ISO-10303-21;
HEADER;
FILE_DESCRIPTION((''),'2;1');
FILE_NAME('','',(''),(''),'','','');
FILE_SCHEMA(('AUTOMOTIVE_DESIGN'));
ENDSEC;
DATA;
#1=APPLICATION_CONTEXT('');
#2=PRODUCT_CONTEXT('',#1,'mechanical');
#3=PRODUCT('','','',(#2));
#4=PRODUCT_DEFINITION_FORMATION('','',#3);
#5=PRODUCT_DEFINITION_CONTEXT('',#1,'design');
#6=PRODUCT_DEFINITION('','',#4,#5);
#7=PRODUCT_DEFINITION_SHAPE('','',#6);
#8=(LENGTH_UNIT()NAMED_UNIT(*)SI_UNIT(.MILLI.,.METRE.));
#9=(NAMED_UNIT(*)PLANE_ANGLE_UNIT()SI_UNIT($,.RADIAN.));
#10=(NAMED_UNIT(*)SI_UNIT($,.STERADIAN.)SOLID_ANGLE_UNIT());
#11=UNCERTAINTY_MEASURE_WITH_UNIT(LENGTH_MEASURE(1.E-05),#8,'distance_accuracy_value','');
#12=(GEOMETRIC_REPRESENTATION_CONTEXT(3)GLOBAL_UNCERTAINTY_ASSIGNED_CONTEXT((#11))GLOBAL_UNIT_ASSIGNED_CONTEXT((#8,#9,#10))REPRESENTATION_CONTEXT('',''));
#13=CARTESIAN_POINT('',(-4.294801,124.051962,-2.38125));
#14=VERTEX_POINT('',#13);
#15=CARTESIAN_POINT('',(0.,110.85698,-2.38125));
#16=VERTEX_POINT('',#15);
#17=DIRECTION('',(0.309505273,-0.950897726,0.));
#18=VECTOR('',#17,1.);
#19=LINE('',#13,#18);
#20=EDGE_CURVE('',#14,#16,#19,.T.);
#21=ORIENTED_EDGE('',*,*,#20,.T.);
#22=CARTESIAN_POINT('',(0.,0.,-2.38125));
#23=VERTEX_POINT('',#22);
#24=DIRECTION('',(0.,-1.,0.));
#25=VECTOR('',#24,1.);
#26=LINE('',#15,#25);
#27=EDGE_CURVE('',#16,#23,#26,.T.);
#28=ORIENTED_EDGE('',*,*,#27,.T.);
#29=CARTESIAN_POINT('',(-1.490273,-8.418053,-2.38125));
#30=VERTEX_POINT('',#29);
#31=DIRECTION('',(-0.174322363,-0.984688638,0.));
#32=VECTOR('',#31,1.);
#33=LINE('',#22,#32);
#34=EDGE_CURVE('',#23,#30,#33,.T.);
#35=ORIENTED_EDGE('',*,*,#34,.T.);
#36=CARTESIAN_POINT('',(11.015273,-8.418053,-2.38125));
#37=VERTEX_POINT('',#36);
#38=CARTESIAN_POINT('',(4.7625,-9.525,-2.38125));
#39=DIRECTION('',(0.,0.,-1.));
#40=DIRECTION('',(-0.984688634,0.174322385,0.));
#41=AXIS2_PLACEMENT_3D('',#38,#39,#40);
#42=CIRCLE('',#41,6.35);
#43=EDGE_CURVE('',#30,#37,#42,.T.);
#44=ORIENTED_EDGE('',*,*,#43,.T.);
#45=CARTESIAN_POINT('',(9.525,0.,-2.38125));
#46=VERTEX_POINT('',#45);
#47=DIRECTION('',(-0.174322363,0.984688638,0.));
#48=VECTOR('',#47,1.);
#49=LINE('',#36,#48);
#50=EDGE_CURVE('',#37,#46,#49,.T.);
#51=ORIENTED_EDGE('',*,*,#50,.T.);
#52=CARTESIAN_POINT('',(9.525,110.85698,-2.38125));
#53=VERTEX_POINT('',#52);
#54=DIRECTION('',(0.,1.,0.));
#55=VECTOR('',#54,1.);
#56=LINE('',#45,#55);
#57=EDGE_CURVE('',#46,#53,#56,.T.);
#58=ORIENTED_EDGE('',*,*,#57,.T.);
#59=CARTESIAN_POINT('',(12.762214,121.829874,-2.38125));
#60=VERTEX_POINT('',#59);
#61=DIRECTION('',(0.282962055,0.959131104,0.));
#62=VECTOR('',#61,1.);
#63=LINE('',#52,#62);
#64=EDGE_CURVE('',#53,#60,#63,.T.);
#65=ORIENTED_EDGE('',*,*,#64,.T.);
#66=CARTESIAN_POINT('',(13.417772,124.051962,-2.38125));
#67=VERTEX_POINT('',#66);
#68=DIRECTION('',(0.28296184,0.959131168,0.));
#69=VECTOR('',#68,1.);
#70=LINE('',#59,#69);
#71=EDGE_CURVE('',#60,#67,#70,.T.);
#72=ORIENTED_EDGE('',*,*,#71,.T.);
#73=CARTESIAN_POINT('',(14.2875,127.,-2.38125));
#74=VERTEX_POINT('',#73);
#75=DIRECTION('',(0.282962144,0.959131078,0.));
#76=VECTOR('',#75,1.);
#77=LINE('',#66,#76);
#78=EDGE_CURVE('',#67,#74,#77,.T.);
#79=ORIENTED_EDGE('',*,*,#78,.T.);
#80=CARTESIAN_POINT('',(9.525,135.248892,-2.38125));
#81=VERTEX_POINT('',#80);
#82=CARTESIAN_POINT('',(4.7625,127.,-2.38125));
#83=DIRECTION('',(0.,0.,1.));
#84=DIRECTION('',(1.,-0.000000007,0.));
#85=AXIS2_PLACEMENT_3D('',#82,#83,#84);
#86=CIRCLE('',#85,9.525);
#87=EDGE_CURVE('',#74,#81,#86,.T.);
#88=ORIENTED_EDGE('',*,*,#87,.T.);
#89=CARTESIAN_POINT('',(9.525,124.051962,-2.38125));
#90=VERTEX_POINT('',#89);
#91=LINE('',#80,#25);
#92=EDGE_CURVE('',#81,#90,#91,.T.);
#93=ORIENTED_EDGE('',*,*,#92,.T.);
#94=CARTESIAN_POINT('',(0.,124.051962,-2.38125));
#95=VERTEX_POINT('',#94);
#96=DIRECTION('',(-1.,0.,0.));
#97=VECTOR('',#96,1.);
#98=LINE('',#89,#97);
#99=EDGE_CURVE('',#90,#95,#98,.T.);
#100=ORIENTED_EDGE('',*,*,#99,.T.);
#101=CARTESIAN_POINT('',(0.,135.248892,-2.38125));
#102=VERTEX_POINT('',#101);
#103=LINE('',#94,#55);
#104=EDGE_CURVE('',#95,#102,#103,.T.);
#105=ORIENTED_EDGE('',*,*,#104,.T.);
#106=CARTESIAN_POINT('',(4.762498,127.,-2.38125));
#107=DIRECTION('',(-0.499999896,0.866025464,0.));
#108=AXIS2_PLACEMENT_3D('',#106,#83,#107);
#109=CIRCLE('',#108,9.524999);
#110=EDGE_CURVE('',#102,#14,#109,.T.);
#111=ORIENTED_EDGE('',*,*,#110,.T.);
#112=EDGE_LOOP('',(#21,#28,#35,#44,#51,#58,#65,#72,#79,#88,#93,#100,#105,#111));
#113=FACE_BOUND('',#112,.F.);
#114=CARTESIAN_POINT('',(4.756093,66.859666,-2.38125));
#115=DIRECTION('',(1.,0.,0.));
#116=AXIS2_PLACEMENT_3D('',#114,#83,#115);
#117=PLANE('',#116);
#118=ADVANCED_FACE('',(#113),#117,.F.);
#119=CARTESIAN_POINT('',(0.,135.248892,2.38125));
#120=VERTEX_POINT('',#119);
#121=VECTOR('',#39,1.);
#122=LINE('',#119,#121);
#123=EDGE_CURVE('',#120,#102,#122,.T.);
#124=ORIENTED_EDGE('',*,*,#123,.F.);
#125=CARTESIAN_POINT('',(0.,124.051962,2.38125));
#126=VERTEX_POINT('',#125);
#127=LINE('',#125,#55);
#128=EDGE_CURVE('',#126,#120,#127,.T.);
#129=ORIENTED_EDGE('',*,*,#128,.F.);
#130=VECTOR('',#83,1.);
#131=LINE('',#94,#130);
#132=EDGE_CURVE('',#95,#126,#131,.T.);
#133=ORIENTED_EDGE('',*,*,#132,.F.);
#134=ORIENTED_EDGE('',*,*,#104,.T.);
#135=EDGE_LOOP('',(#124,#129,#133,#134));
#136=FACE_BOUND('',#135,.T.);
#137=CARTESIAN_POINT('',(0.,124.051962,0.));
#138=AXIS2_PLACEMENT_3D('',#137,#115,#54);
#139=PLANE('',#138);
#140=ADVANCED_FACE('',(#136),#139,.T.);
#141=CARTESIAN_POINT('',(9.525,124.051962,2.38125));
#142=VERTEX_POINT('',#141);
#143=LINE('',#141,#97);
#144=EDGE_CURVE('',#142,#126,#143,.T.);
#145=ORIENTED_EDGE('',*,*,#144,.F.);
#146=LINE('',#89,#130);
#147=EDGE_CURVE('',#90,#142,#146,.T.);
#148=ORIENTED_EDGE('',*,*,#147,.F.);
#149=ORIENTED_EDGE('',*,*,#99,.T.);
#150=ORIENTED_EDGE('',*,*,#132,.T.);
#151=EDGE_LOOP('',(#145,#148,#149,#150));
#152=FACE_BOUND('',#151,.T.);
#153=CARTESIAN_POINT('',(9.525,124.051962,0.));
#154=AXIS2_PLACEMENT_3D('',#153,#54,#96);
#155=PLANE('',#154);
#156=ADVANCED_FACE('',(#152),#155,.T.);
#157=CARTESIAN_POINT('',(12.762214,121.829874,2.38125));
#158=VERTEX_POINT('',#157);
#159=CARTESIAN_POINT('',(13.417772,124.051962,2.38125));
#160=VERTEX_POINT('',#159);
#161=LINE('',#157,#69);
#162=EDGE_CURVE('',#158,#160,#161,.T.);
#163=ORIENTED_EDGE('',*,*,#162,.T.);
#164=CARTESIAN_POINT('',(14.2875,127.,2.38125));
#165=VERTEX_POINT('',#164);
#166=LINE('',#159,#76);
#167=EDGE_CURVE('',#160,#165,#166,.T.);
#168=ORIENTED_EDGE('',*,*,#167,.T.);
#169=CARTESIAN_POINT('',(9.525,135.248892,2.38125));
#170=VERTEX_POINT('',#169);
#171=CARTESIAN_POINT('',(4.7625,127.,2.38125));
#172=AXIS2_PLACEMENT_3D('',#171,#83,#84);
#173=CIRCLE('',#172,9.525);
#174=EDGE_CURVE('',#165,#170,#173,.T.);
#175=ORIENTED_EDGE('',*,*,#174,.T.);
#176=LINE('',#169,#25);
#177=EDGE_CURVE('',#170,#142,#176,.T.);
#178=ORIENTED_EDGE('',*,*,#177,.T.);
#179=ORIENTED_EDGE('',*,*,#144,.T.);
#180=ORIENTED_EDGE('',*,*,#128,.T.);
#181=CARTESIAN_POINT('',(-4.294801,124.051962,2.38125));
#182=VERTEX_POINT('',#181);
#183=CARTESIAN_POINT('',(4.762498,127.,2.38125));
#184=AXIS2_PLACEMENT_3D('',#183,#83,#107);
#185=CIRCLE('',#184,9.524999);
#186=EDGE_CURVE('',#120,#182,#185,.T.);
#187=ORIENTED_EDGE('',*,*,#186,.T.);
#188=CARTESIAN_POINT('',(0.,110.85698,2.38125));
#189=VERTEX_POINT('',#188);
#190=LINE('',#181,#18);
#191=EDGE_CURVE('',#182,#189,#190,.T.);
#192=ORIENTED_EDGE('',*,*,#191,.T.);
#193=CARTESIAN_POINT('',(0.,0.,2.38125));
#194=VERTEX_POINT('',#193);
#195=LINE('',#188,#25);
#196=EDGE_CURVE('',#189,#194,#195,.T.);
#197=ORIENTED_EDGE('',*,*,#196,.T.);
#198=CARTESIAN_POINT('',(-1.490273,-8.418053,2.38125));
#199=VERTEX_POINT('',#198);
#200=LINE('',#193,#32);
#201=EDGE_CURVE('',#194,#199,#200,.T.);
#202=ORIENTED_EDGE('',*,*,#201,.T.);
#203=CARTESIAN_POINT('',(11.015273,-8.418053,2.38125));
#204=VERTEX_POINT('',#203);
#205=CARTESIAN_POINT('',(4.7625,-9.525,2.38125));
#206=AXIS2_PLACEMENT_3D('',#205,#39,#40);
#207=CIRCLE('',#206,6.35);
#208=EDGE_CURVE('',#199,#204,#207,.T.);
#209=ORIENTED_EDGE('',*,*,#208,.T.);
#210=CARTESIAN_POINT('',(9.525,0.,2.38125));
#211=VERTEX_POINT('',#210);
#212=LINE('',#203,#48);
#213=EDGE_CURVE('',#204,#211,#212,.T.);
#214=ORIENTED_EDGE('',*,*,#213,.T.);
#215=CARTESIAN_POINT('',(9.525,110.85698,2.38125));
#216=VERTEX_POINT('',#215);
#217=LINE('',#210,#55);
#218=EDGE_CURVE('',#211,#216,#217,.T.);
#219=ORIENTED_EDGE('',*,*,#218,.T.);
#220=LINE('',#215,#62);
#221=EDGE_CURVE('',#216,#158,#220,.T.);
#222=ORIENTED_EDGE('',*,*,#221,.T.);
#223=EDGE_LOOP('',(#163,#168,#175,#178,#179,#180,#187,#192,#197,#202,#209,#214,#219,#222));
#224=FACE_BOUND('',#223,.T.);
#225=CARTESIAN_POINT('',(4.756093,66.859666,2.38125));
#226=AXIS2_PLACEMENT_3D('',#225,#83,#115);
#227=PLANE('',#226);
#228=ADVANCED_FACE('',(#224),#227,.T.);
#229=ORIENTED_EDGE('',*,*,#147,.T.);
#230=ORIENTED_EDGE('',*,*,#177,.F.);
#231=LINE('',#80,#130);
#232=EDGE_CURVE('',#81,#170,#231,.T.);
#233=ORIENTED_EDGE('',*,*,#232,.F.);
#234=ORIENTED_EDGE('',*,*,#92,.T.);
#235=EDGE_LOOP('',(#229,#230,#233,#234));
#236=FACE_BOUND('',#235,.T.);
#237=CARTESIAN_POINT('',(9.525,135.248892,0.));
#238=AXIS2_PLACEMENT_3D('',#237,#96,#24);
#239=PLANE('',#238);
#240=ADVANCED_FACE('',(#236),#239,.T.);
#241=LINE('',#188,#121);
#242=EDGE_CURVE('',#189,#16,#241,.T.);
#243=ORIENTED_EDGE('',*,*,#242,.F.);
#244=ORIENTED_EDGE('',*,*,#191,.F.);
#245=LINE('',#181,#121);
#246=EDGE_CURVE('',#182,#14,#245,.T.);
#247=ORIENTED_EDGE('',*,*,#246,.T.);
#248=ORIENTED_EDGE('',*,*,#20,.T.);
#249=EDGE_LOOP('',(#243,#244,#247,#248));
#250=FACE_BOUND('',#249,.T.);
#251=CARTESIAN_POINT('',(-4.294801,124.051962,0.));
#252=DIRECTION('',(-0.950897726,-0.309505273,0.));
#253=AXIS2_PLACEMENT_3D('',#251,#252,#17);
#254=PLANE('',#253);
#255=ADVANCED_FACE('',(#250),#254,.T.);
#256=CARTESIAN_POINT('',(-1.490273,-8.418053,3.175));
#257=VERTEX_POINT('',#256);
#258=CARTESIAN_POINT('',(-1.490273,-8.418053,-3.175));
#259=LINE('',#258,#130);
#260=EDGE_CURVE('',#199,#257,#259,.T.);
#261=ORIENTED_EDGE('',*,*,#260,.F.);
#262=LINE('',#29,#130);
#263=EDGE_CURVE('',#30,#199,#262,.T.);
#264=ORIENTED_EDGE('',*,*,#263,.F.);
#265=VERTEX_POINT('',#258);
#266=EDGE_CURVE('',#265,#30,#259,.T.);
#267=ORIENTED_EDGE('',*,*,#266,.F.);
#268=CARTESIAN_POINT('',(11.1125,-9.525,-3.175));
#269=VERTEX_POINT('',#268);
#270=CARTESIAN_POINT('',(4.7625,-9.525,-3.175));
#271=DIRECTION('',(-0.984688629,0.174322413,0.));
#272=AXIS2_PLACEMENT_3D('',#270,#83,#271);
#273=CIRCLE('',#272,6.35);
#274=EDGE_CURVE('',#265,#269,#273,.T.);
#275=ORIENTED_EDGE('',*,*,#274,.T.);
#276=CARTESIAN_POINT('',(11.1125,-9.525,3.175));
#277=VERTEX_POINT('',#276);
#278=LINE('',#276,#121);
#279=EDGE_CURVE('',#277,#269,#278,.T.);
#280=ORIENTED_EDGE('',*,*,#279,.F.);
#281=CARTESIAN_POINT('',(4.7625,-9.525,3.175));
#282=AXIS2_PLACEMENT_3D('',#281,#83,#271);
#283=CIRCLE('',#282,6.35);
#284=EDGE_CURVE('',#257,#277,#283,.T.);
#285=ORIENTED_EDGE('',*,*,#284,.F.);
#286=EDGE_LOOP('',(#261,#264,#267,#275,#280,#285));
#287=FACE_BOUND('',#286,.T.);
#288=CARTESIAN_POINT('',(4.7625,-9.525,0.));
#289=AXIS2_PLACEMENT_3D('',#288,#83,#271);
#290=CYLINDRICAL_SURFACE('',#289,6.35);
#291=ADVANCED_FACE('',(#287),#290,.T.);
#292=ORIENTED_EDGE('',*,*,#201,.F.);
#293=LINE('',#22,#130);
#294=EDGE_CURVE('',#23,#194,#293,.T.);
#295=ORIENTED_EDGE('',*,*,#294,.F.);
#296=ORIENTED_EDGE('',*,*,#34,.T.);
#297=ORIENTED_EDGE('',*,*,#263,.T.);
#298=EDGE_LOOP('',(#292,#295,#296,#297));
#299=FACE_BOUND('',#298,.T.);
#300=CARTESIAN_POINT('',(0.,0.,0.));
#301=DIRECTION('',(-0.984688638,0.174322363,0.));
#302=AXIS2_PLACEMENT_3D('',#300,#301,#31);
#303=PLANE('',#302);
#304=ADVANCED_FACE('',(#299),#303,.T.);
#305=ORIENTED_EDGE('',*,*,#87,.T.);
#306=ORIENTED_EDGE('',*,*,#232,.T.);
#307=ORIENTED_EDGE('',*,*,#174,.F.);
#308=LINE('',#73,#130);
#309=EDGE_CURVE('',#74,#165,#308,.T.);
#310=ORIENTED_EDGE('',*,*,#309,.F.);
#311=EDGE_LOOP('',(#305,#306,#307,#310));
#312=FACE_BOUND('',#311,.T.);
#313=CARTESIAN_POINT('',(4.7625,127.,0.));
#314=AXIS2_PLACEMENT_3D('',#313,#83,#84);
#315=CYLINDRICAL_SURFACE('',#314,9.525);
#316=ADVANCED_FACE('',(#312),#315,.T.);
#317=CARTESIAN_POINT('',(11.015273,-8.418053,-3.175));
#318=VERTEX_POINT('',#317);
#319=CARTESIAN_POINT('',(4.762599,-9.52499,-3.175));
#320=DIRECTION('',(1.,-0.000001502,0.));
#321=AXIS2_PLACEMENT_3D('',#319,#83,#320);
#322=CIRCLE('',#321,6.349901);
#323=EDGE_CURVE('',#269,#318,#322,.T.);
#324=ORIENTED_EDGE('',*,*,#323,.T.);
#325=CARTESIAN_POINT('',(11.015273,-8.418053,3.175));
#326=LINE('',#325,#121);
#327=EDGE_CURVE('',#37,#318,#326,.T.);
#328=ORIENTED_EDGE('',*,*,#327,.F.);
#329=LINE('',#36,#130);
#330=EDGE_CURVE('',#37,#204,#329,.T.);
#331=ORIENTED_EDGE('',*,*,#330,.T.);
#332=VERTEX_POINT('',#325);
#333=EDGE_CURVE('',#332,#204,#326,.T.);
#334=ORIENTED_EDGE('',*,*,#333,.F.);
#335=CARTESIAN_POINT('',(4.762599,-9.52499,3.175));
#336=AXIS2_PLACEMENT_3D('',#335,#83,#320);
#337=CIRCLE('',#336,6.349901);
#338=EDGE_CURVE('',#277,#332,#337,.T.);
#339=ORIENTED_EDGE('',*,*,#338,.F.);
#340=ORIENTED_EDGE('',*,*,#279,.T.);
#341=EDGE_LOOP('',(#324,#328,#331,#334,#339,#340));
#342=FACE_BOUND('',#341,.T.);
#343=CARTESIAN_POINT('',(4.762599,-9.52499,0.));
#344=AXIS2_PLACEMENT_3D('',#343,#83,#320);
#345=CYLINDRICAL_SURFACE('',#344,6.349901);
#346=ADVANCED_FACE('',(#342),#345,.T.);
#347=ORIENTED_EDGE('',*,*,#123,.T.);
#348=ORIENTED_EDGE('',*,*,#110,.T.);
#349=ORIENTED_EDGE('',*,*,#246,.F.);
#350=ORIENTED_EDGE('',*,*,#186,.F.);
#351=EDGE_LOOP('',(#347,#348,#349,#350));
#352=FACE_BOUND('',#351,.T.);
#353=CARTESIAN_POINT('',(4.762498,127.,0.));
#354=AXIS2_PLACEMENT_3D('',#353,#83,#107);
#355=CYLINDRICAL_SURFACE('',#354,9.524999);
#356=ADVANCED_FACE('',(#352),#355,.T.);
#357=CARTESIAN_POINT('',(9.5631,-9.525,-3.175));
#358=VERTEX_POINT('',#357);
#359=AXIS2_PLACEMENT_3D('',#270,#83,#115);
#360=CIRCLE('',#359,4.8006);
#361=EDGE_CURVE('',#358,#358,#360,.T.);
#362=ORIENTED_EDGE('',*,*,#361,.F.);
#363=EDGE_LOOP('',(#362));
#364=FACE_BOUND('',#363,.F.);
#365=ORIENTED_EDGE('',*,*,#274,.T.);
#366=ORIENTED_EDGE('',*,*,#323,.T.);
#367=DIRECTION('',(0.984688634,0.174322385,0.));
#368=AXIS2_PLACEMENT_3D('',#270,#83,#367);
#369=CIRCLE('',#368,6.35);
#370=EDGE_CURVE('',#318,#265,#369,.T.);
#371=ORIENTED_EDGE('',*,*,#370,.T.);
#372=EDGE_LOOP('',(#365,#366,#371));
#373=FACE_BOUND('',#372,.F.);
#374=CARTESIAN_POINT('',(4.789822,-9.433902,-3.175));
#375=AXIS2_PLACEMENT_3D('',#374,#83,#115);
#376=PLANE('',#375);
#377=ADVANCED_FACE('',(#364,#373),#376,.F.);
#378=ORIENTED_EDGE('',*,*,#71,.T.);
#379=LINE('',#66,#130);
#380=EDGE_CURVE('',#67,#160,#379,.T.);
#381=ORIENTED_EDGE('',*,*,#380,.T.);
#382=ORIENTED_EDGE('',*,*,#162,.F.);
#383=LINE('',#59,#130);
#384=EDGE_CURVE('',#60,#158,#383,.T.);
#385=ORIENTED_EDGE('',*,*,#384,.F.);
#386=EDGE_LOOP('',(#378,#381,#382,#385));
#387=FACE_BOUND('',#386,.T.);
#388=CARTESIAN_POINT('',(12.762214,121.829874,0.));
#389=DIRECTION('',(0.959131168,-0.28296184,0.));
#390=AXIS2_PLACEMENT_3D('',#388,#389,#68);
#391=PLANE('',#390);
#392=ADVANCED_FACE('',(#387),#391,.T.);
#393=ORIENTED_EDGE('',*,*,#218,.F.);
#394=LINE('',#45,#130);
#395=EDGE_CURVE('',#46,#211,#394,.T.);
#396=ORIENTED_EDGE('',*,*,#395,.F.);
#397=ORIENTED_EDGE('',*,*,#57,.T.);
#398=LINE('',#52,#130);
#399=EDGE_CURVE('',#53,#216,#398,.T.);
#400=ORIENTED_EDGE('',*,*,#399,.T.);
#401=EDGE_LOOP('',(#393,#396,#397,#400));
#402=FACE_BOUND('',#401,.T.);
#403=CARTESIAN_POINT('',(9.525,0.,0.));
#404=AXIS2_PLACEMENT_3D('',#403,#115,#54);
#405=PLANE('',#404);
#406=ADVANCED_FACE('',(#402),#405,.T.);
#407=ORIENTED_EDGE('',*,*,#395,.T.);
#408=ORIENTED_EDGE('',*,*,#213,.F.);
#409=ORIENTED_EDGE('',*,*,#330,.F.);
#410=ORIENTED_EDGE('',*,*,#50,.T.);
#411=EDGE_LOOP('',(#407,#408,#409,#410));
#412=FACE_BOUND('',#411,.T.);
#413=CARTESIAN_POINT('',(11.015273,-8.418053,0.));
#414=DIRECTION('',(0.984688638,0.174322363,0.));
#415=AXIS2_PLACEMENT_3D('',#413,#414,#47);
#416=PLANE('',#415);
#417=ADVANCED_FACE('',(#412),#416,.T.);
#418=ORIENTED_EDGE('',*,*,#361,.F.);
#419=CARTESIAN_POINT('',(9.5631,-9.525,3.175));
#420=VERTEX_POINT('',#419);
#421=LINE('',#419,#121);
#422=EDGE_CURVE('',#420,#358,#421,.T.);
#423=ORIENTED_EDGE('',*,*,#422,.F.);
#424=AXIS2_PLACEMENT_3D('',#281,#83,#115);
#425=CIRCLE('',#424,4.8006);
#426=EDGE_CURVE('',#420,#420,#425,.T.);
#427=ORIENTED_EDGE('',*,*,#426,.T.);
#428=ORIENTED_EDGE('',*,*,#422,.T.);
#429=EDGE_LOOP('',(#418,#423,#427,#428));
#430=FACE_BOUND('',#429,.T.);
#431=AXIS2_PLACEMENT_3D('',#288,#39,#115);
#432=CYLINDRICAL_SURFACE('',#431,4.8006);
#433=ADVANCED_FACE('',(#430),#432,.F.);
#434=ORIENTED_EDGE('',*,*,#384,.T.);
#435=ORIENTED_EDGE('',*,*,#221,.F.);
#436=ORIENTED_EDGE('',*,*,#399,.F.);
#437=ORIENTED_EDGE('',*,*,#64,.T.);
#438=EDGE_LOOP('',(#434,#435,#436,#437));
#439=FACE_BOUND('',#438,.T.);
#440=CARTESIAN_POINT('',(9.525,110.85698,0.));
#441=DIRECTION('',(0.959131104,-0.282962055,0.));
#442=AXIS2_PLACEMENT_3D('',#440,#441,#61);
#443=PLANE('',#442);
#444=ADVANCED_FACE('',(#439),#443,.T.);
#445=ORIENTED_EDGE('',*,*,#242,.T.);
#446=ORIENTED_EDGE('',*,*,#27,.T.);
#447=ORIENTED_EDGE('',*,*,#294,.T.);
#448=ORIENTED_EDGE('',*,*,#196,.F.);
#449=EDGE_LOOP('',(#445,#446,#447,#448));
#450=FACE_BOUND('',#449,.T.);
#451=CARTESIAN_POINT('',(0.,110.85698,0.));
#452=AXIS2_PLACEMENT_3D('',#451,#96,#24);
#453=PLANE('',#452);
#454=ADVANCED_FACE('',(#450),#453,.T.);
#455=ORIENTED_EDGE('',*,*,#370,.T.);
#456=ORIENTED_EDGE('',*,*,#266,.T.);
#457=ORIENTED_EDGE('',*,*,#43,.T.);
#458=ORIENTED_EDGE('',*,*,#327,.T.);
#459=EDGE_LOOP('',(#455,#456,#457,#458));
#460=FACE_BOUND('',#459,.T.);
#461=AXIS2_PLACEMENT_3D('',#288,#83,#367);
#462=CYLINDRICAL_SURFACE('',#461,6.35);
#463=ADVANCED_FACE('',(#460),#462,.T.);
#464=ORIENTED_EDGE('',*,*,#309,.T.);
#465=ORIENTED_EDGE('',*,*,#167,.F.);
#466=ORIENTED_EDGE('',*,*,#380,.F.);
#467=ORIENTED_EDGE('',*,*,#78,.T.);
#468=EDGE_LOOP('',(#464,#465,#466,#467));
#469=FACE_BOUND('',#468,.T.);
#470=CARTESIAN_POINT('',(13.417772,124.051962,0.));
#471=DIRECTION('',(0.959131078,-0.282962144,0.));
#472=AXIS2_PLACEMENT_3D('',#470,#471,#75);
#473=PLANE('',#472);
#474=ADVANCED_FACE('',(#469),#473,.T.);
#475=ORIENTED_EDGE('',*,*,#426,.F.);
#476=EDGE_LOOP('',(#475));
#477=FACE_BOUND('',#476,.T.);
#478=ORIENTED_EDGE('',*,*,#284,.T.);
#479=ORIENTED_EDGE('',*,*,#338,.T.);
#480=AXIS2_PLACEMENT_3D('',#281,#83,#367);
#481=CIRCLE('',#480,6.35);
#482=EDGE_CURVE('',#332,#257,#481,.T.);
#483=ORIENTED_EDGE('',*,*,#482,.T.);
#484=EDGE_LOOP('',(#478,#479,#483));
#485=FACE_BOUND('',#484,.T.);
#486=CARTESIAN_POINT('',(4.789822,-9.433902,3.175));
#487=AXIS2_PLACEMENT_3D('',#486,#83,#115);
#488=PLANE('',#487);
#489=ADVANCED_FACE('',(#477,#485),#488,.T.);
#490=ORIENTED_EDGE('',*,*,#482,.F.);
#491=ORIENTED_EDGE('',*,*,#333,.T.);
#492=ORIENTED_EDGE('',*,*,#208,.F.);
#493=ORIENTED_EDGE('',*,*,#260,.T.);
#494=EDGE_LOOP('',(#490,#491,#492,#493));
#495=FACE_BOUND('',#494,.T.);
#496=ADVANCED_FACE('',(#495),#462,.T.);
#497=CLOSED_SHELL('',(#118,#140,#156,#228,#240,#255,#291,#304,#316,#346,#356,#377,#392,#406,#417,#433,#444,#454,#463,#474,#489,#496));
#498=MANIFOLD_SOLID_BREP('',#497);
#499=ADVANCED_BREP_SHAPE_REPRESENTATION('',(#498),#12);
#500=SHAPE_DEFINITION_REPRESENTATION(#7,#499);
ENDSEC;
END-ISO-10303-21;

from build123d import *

# Parameters (mm, degrees)
F1_DEPTH = 1.5875
F2_DEPTH = 2.38125
F0_R     = 4.8006
F3_DEPTH = 3.175


with BuildPart() as f1:
    # F0 (on Top) → F1 (new body, symmetric)
    with BuildSketch(Plane.XY):
        with BuildLine():
            Line((0, 110.85698), (0, 0))
            Line((0, 0), (-1.490273, -8.418053))
            ThreePointArc((-1.490273, -8.418053), (4.7625, -3.175), (11.015273, -8.418053))
            Line((11.015273, -8.418053), (9.525, 0))
            Line((9.525, 0), (9.525, 110.85698))
            Line((9.525, 110.85698), (12.762214, 121.829874))
            Line((12.762214, 121.829874), (13.417772, 124.051962))
            Line((13.417772, 124.051962), (14.2875, 127))
            ThreePointArc((14.2875, 127), (13.011392, 131.7625), (9.525, 135.248892))
            Line((9.525, 135.248892), (9.525, 124.051962))
            Line((9.525, 124.051962), (0, 124.051962))
            Line((0, 124.051962), (0, 135.248892))
            ThreePointArc((0, 135.248892), (-4.13073, 130.411172), (-4.294801, 124.051962))
            Line((-4.294801, 124.051962), (0, 110.85698))
        make_face()
    extrude(amount=F1_DEPTH, both=True)

    # F0 (on Top) → F2 (join, symmetric)
    with BuildSketch(Plane.XY):
        with BuildLine():
            Line((0, 110.85698), (0, 0))
            Line((0, 0), (-1.490273, -8.418053))
            ThreePointArc((-1.490273, -8.418053), (4.7625, -3.175), (11.015273, -8.418053))
            Line((11.015273, -8.418053), (9.525, 0))
            Line((9.525, 0), (9.525, 110.85698))
            Line((9.525, 110.85698), (12.762214, 121.829874))
            Line((12.762214, 121.829874), (13.417772, 124.051962))
            Line((13.417772, 124.051962), (14.2875, 127))
            ThreePointArc((14.2875, 127), (13.011392, 131.7625), (9.525, 135.248892))
            Line((9.525, 135.248892), (9.525, 124.051962))
            Line((9.525, 124.051962), (0, 124.051962))
            Line((0, 124.051962), (0, 135.248892))
            ThreePointArc((0, 135.248892), (-4.13073, 130.411172), (-4.294801, 124.051962))
            Line((-4.294801, 124.051962), (0, 110.85698))
        make_face()
    extrude(amount=F2_DEPTH, both=True)

    # F0 (on Top) → F3 (join, symmetric)
    with BuildSketch(Plane.XY):
        with BuildLine():
            ThreePointArc((11.015273, -8.418053), (4.7625, -3.175), (-1.490273, -8.418053))
            ThreePointArc((-1.490273, -8.418053), (4.206896, -15.850647), (11.1125, -9.525))
            ThreePointArc((11.1125, -9.525), (11.088147, -8.969396), (11.015273, -8.418053))
        make_face()
        with Locations((4.7625, -9.525)):
            Circle(F0_R, mode=Mode.SUBTRACT)
    extrude(amount=F3_DEPTH, both=True)


solid = f1.part
